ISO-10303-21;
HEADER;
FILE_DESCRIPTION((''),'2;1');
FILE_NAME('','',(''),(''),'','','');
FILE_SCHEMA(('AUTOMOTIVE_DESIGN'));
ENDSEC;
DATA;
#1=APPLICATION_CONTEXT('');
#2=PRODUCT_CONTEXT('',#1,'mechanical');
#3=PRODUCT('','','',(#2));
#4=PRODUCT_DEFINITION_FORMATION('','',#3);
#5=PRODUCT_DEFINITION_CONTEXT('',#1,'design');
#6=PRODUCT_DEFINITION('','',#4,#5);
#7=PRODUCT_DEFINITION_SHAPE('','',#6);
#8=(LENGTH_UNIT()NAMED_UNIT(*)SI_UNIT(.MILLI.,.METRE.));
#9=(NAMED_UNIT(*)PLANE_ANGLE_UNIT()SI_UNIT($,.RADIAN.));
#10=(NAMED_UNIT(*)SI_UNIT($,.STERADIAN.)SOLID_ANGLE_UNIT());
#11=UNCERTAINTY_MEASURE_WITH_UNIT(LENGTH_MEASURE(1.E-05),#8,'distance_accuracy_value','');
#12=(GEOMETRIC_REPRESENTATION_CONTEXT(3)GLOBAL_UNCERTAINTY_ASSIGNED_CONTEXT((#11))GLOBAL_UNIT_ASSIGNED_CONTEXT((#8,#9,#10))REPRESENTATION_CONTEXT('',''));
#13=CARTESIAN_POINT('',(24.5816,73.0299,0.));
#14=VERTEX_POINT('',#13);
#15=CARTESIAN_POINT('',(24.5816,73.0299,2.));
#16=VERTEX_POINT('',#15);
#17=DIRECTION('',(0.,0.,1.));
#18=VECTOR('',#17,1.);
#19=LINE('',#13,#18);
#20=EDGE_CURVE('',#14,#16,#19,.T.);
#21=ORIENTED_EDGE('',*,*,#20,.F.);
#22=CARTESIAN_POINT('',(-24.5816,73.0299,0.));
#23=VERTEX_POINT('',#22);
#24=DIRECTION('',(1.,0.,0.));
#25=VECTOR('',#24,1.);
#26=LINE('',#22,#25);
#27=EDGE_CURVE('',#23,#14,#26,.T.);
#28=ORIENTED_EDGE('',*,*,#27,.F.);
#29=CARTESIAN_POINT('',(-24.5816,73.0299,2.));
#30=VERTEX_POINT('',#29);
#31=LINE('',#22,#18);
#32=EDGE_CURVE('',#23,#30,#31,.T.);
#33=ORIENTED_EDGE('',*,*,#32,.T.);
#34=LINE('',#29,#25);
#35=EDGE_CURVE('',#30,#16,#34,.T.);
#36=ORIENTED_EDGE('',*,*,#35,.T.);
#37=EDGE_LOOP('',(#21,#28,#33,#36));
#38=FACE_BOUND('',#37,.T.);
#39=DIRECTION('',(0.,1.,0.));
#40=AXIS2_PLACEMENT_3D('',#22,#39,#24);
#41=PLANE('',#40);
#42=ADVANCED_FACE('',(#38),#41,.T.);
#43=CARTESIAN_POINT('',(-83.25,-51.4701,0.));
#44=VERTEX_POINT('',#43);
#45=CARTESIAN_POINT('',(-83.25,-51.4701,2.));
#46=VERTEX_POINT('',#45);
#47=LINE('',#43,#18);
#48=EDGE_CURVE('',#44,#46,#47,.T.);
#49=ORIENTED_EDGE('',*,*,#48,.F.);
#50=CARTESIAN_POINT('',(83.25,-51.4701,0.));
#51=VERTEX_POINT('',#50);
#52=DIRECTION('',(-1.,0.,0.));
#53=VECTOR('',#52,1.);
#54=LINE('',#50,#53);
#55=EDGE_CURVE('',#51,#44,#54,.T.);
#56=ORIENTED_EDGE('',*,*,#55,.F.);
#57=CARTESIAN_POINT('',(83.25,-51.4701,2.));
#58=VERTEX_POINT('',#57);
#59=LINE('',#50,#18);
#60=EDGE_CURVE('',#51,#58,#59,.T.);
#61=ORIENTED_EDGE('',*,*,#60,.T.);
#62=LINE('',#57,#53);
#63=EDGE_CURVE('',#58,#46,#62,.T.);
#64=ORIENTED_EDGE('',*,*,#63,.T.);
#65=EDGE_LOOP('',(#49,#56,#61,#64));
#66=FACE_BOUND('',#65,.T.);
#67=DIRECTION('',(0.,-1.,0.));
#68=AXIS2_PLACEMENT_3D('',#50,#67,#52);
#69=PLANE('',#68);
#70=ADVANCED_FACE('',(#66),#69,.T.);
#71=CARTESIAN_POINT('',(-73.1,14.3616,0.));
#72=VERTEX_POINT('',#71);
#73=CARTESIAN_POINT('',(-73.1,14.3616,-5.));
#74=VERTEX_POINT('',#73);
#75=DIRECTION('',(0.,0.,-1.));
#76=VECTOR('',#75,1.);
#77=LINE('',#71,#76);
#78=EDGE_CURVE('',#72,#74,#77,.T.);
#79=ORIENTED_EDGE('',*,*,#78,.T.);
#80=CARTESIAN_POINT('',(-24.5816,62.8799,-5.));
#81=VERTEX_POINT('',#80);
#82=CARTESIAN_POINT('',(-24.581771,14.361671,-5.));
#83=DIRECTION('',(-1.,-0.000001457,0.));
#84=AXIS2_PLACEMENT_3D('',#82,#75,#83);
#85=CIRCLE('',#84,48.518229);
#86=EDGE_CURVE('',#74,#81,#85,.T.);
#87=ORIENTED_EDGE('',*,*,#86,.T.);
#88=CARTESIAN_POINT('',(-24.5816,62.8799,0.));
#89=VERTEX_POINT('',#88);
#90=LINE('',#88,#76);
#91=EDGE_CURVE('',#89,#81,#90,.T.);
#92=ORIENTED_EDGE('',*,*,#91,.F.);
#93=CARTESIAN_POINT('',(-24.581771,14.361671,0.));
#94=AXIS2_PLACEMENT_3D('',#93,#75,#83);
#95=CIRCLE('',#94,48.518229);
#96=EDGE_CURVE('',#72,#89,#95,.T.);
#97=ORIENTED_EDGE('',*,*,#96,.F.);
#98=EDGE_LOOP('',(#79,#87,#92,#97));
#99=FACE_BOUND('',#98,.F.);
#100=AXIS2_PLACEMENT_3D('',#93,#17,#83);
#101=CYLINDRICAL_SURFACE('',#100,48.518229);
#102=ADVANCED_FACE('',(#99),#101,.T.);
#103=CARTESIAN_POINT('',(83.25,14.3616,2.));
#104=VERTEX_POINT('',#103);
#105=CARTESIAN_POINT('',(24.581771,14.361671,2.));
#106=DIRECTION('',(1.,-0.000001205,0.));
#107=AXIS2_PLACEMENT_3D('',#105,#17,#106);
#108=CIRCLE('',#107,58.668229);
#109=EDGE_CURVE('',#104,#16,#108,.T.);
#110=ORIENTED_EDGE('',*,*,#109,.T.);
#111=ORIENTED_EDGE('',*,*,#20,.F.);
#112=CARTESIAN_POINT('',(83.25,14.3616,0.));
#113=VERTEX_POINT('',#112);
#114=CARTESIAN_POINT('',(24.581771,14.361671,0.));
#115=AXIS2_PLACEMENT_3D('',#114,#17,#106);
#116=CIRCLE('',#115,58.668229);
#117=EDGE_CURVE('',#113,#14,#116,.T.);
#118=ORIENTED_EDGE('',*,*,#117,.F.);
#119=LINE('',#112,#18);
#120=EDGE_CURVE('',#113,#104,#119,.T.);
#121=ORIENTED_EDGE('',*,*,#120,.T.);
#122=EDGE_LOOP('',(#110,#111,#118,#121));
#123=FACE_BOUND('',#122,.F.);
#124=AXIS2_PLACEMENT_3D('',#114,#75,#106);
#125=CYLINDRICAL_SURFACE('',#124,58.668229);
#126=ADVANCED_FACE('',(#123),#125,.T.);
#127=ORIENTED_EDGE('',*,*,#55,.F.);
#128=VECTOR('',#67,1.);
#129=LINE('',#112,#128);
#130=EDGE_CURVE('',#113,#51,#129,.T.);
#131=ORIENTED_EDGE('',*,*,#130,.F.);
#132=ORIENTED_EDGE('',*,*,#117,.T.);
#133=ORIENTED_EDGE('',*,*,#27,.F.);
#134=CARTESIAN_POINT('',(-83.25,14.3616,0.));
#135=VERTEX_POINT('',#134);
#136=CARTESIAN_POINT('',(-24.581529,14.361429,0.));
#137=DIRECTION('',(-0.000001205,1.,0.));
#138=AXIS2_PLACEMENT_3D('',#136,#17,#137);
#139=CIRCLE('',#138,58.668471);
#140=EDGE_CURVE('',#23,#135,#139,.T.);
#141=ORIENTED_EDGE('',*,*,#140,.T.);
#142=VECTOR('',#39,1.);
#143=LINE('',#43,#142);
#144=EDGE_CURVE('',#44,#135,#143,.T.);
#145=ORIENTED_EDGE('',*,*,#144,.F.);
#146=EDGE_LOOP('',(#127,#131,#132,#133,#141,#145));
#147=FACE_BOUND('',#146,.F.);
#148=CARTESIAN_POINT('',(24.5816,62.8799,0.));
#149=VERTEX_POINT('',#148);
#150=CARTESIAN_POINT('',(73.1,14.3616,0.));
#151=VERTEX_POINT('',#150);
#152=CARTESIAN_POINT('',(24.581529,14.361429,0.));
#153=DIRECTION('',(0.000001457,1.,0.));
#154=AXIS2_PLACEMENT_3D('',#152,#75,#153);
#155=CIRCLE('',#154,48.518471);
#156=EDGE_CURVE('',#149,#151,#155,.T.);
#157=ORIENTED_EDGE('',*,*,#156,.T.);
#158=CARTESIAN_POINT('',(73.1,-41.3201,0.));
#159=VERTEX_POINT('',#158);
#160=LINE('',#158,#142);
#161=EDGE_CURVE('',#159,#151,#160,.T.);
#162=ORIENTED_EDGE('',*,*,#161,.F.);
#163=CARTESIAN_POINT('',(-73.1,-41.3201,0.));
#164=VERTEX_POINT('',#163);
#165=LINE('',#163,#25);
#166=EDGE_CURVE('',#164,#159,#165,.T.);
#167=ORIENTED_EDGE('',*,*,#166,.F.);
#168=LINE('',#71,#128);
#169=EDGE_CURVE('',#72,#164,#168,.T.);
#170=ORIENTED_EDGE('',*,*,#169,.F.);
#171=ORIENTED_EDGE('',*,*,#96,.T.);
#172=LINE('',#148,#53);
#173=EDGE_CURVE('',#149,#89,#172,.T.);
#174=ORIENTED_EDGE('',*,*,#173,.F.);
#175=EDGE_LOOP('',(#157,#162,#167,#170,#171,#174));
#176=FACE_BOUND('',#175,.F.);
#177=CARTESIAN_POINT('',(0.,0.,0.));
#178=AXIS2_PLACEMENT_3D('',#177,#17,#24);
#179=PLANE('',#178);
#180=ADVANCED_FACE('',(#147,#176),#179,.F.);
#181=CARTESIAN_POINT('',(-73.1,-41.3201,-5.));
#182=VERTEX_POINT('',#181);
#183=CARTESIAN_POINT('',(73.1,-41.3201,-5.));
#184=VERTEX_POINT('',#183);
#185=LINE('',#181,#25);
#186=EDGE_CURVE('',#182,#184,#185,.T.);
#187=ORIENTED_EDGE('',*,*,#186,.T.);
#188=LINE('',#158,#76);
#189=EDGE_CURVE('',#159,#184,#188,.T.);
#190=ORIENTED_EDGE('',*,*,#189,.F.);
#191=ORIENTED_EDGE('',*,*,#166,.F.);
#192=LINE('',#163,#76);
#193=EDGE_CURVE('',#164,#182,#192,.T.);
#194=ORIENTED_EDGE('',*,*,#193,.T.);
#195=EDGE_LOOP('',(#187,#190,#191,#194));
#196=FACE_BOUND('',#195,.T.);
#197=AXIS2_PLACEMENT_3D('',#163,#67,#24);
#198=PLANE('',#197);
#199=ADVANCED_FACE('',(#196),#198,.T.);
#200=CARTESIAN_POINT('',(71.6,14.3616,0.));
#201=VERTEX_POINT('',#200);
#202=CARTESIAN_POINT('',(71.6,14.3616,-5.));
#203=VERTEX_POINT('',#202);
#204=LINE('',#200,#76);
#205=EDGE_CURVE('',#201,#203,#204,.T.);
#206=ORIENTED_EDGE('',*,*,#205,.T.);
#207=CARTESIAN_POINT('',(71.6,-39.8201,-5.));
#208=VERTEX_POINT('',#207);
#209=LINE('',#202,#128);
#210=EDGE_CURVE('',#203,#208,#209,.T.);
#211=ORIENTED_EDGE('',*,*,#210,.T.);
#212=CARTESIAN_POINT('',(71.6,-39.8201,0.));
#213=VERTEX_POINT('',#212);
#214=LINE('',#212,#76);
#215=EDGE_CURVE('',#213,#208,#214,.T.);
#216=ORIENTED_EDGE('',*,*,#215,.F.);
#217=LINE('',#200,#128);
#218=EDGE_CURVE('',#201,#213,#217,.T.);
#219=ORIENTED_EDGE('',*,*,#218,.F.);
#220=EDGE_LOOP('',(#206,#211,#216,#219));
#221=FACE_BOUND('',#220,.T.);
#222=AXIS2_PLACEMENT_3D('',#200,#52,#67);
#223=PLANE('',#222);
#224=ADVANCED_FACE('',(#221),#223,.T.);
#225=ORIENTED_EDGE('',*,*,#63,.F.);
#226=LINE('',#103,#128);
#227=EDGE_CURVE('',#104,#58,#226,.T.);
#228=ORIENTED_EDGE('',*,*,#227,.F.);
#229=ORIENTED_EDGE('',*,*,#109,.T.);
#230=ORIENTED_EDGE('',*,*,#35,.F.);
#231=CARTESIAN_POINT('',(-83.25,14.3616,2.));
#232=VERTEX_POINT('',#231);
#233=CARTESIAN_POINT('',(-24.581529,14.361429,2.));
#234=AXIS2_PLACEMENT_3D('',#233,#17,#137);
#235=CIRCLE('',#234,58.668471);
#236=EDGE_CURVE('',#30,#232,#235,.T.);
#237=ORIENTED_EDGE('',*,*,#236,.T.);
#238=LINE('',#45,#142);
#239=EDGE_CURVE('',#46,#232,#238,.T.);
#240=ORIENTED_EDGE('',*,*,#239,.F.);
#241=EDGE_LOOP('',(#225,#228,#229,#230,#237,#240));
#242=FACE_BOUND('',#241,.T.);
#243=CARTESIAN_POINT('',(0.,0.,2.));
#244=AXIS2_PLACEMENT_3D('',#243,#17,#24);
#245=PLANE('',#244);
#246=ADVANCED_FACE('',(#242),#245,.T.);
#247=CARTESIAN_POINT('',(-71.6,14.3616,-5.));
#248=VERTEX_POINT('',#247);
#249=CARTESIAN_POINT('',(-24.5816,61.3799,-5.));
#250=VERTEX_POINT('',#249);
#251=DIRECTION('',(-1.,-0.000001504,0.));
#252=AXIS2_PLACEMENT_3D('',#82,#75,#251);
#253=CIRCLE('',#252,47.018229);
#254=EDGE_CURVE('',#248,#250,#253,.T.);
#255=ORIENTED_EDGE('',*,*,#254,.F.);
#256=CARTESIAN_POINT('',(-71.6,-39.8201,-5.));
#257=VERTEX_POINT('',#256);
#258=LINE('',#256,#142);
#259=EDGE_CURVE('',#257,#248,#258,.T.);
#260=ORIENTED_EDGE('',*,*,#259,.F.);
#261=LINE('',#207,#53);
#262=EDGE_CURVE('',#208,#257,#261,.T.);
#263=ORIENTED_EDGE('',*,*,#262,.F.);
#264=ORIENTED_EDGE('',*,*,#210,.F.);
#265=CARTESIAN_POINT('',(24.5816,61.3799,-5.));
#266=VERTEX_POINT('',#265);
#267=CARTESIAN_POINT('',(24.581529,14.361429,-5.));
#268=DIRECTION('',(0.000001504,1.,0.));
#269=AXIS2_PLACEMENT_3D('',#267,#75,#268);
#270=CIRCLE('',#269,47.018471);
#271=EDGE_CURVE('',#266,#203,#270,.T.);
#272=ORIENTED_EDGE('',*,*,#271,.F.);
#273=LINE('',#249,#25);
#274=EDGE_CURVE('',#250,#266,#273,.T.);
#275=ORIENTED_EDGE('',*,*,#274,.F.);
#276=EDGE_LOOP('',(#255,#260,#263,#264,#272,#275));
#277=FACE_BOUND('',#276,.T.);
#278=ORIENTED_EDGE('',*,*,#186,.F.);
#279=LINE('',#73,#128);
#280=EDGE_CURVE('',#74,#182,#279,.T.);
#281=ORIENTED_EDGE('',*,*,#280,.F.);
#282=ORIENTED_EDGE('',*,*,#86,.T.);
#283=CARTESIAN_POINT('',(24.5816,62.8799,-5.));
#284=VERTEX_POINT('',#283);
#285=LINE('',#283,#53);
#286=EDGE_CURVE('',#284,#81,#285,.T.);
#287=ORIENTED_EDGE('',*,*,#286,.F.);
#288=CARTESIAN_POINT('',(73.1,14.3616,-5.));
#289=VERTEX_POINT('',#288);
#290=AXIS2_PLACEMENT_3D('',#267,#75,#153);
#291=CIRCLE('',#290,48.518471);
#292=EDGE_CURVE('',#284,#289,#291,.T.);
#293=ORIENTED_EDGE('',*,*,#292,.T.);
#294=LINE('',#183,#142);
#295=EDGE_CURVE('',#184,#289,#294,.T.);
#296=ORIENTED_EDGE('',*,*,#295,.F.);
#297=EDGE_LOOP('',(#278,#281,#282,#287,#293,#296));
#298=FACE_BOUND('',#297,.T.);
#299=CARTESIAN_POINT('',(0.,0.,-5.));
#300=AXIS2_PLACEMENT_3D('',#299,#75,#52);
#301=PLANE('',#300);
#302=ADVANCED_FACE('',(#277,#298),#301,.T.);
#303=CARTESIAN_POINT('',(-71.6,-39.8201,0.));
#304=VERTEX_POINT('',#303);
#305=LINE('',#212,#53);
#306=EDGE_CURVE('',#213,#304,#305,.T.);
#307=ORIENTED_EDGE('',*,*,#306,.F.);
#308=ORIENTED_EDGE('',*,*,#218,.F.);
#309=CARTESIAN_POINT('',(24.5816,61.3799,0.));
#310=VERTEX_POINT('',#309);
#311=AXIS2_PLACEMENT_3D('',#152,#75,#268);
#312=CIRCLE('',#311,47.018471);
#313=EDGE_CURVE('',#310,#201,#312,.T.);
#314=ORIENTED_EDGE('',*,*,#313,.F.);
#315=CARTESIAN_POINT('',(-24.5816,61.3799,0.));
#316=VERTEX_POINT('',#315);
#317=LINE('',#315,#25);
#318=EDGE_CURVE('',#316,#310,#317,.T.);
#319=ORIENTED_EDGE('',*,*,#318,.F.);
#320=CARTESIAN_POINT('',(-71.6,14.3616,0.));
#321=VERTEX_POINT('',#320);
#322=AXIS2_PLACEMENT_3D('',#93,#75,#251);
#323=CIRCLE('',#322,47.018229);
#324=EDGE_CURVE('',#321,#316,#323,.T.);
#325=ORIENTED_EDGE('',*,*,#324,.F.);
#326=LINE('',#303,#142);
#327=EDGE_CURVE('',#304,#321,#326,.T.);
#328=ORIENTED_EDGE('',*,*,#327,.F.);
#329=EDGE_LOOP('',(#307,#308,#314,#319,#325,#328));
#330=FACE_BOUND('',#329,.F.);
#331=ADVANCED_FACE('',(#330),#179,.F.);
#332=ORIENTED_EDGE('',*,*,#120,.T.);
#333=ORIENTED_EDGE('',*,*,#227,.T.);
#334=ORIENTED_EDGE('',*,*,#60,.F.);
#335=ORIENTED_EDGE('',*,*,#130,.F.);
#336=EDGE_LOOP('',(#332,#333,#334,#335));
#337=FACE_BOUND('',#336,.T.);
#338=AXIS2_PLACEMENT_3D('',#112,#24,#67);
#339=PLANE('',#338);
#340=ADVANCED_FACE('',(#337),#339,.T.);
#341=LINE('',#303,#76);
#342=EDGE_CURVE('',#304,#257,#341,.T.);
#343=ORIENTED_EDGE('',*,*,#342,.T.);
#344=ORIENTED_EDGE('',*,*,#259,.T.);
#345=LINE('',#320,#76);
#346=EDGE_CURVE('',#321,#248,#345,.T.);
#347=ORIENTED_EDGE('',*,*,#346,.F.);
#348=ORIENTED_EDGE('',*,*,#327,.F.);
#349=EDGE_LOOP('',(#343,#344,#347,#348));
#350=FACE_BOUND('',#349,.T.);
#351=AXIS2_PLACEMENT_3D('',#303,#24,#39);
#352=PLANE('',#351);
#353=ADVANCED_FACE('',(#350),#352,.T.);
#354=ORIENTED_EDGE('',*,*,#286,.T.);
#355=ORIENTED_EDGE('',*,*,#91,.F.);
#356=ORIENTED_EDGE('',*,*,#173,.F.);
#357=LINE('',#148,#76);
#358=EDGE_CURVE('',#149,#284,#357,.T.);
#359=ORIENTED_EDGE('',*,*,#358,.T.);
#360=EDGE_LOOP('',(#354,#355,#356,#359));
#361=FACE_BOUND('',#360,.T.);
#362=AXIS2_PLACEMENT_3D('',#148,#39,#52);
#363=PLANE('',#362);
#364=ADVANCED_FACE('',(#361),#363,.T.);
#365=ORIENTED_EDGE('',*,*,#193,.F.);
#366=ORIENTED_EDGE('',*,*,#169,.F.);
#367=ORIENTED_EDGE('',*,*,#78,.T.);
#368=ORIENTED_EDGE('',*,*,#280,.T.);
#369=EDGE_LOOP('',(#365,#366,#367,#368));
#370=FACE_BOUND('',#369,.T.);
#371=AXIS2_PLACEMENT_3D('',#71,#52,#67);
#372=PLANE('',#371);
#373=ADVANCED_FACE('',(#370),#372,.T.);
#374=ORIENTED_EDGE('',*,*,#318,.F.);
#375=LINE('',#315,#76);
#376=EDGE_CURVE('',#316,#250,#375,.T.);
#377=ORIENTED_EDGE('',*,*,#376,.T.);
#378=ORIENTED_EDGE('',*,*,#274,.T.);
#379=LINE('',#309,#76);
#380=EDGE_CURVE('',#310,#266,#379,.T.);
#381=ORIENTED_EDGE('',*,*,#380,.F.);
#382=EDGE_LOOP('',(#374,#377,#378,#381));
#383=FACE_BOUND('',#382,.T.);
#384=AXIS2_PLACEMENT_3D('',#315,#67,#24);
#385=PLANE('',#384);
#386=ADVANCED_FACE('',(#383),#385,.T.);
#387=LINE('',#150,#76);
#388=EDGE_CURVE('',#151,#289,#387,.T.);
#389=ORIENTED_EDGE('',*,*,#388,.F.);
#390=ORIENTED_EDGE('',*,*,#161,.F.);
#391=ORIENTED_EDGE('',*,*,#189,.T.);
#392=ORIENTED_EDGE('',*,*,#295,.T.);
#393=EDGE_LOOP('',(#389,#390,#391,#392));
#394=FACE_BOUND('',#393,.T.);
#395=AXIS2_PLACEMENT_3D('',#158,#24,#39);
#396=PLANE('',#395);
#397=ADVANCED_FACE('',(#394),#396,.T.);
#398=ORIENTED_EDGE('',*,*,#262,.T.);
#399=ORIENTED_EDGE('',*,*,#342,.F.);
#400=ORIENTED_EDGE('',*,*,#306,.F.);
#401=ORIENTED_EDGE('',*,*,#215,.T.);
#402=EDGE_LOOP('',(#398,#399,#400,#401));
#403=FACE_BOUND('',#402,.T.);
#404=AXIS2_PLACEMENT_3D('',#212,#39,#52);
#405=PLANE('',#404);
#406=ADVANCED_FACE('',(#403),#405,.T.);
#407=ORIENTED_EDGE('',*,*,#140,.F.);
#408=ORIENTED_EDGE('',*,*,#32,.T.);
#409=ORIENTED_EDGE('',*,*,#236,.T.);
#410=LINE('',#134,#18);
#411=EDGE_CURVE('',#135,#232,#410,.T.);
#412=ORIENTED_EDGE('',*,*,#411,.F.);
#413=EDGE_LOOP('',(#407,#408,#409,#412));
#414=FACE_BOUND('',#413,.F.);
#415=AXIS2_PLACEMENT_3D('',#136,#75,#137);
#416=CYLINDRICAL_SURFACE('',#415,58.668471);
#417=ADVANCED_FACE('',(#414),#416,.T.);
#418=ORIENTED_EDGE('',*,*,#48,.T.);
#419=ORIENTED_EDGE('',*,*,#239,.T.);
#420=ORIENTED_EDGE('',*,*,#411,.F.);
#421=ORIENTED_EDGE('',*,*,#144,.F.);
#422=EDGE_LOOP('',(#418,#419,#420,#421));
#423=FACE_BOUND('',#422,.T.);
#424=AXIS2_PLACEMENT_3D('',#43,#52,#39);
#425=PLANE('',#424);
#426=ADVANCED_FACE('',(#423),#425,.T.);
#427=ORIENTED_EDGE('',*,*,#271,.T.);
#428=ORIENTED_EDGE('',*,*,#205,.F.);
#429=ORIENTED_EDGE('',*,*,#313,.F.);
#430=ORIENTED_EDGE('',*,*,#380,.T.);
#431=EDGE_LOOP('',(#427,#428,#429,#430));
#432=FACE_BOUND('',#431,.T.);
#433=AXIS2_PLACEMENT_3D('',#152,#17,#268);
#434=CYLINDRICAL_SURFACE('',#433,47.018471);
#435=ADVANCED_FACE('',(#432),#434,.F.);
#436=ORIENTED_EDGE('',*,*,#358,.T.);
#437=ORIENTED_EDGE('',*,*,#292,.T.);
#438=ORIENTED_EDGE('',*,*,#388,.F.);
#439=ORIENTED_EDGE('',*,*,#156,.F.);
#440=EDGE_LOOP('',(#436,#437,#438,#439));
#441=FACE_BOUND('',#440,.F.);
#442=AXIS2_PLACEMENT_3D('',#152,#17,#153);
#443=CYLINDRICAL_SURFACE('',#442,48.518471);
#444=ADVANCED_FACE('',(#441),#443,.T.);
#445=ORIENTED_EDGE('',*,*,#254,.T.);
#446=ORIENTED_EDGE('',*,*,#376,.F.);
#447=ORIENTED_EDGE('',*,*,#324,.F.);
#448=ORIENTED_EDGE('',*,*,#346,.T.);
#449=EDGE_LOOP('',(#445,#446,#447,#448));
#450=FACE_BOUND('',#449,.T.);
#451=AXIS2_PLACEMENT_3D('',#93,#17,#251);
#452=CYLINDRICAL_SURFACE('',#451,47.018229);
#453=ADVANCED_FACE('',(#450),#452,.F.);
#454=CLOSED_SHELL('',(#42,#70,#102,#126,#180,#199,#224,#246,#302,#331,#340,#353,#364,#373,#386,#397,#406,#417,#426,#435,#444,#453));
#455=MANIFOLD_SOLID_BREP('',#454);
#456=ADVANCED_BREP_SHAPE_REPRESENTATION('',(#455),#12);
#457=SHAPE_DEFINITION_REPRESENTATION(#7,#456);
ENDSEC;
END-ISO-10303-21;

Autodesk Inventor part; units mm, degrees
ref_plane "YZ Plane" through (0, 0, 0) normal (1, 0, 0) x (0, 1, 0)
ref_plane "XZ Plane" through (0, 0, 0) normal (0, 1, 0) x (-1, 0, 0)
ref_plane "XY Plane" through (0, 0, 0) normal (0, 0, 1) x (1, 0, 0)
sketch "Sketch1" plane through (0, 0, 0) normal (0, 0, 1) x (1, 0, 0)
  line L0 (-73.25, -41.4701) -> (-73.25, 14.3616) construction
  arc A0 (-24.5816, 63.0299) -> (-73.25, 14.3616) centre (-24.5816, 14.3616) ccw construction
  line L1 (-24.5816, 63.0299) -> (24.5816, 63.0299) construction
  arc A1 (73.25, 14.3616) -> (24.5816, 63.0299) centre (24.5816, 14.3616) ccw construction
  line L2 (73.25, 14.3616) -> (73.25, -41.4701) construction
  line L3 (73.25, -41.4701) -> (-73.25, -41.4701) construction
  line L4 (-80.75, -48.9701) -> (80.75, -48.9701) construction
  line L5 (80.75, -48.9701) -> (80.75, 14.3616) construction
  arc A2 (80.75, 14.3616) -> (24.5816, 70.5299) centre (24.5816, 14.3616) ccw construction
  line L6 (24.5816, 70.5299) -> (-24.5816, 70.5299) construction
  arc A3 (-24.5816, 70.5299) -> (-80.75, 14.3616) centre (-24.5816, 14.3616) ccw construction
  line L7 (-80.75, 14.3616) -> (-80.75, -48.9701) construction
  arc A4 (83.25, 14.3616) -> (24.5816, 73.0299) centre (24.5816, 14.3616) ccw
  line L8 (83.25, 14.3616) -> (83.25, -51.4701)
  line L9 (83.25, -51.4701) -> (-83.25, -51.4701)
  line L10 (-83.25, -51.4701) -> (-83.25, 14.3616)
  arc A5 (-24.5816, 73.0299) -> (-83.25, 14.3616) centre (-24.5816, 14.3616) ccw
  line L11 (-24.5816, 73.0299) -> (24.5816, 73.0299)
  point P0 (0, 0)
  dimension "d0" = 2.5
extrude "Extrusion1" add sketch "Sketch1" along normal blind 2
sketch "Sketch2" plane through (0, 0, 0) normal (0, 0, -1) x (-1, 0, 0)
  line L0 (73.25, -41.4701) -> (73.25, 14.3616) construction
  arc A0 (73.25, 14.3616) -> (24.5816, 63.0299) centre (24.5816, 14.3616) ccw construction
  line L1 (24.5816, 63.0299) -> (-24.5816, 63.0299) construction
  arc A1 (-24.5816, 63.0299) -> (-73.25, 14.3616) centre (-24.5816, 14.3616) ccw construction
  line L2 (-73.25, 14.3616) -> (-73.25, -41.4701) construction
  line L3 (-73.25, -41.4701) -> (73.25, -41.4701) construction
  line L4 (80.75, -48.9701) -> (-80.75, -48.9701) construction
  line L5 (-80.75, -48.9701) -> (-80.75, 14.3616) construction
  arc A2 (-24.5816, 70.5299) -> (-80.75, 14.3616) centre (-24.5816, 14.3616) ccw construction
  line L6 (-24.5816, 70.5299) -> (24.5816, 70.5299) construction
  arc A3 (80.75, 14.3616) -> (24.5816, 70.5299) centre (24.5816, 14.3616) ccw construction
  line L7 (80.75, 14.3616) -> (80.75, -48.9701) construction
  line L8 (-73.1, -41.3201) -> (-73.1, 14.3616)
  arc A4 (-24.5816, 62.8799) -> (-73.1, 14.3616) centre (-24.5816, 14.3616) ccw
  line L9 (-24.5816, 62.8799) -> (24.5816, 62.8799)
  arc A5 (73.1, 14.3616) -> (24.5816, 62.8799) centre (24.5816, 14.3616) ccw
  line L10 (73.1, 14.3616) -> (73.1, -41.3201)
  line L11 (73.1, -41.3201) -> (-73.1, -41.3201)
  line L12 (-71.6, 14.3616) -> (-71.6, -39.8201)
  line L13 (-71.6, -39.8201) -> (71.6, -39.8201)
  line L14 (71.6, -39.8201) -> (71.6, 14.3616)
  arc A6 (71.6, 14.3616) -> (24.5816, 61.3799) centre (24.5816, 14.3616) ccw
  line L15 (24.5816, 61.3799) -> (-24.5816, 61.3799)
  arc A7 (-24.5816, 61.3799) -> (-71.6, 14.3616) centre (-24.5816, 14.3616) ccw
  point P0 (0, 0)
  dimension "d3" = 0.15
  dimension "d4" = 1.5
extrude "Extrusion2" add sketch "Sketch2" along normal blind 5
properties part number "BottleHolderCap"
